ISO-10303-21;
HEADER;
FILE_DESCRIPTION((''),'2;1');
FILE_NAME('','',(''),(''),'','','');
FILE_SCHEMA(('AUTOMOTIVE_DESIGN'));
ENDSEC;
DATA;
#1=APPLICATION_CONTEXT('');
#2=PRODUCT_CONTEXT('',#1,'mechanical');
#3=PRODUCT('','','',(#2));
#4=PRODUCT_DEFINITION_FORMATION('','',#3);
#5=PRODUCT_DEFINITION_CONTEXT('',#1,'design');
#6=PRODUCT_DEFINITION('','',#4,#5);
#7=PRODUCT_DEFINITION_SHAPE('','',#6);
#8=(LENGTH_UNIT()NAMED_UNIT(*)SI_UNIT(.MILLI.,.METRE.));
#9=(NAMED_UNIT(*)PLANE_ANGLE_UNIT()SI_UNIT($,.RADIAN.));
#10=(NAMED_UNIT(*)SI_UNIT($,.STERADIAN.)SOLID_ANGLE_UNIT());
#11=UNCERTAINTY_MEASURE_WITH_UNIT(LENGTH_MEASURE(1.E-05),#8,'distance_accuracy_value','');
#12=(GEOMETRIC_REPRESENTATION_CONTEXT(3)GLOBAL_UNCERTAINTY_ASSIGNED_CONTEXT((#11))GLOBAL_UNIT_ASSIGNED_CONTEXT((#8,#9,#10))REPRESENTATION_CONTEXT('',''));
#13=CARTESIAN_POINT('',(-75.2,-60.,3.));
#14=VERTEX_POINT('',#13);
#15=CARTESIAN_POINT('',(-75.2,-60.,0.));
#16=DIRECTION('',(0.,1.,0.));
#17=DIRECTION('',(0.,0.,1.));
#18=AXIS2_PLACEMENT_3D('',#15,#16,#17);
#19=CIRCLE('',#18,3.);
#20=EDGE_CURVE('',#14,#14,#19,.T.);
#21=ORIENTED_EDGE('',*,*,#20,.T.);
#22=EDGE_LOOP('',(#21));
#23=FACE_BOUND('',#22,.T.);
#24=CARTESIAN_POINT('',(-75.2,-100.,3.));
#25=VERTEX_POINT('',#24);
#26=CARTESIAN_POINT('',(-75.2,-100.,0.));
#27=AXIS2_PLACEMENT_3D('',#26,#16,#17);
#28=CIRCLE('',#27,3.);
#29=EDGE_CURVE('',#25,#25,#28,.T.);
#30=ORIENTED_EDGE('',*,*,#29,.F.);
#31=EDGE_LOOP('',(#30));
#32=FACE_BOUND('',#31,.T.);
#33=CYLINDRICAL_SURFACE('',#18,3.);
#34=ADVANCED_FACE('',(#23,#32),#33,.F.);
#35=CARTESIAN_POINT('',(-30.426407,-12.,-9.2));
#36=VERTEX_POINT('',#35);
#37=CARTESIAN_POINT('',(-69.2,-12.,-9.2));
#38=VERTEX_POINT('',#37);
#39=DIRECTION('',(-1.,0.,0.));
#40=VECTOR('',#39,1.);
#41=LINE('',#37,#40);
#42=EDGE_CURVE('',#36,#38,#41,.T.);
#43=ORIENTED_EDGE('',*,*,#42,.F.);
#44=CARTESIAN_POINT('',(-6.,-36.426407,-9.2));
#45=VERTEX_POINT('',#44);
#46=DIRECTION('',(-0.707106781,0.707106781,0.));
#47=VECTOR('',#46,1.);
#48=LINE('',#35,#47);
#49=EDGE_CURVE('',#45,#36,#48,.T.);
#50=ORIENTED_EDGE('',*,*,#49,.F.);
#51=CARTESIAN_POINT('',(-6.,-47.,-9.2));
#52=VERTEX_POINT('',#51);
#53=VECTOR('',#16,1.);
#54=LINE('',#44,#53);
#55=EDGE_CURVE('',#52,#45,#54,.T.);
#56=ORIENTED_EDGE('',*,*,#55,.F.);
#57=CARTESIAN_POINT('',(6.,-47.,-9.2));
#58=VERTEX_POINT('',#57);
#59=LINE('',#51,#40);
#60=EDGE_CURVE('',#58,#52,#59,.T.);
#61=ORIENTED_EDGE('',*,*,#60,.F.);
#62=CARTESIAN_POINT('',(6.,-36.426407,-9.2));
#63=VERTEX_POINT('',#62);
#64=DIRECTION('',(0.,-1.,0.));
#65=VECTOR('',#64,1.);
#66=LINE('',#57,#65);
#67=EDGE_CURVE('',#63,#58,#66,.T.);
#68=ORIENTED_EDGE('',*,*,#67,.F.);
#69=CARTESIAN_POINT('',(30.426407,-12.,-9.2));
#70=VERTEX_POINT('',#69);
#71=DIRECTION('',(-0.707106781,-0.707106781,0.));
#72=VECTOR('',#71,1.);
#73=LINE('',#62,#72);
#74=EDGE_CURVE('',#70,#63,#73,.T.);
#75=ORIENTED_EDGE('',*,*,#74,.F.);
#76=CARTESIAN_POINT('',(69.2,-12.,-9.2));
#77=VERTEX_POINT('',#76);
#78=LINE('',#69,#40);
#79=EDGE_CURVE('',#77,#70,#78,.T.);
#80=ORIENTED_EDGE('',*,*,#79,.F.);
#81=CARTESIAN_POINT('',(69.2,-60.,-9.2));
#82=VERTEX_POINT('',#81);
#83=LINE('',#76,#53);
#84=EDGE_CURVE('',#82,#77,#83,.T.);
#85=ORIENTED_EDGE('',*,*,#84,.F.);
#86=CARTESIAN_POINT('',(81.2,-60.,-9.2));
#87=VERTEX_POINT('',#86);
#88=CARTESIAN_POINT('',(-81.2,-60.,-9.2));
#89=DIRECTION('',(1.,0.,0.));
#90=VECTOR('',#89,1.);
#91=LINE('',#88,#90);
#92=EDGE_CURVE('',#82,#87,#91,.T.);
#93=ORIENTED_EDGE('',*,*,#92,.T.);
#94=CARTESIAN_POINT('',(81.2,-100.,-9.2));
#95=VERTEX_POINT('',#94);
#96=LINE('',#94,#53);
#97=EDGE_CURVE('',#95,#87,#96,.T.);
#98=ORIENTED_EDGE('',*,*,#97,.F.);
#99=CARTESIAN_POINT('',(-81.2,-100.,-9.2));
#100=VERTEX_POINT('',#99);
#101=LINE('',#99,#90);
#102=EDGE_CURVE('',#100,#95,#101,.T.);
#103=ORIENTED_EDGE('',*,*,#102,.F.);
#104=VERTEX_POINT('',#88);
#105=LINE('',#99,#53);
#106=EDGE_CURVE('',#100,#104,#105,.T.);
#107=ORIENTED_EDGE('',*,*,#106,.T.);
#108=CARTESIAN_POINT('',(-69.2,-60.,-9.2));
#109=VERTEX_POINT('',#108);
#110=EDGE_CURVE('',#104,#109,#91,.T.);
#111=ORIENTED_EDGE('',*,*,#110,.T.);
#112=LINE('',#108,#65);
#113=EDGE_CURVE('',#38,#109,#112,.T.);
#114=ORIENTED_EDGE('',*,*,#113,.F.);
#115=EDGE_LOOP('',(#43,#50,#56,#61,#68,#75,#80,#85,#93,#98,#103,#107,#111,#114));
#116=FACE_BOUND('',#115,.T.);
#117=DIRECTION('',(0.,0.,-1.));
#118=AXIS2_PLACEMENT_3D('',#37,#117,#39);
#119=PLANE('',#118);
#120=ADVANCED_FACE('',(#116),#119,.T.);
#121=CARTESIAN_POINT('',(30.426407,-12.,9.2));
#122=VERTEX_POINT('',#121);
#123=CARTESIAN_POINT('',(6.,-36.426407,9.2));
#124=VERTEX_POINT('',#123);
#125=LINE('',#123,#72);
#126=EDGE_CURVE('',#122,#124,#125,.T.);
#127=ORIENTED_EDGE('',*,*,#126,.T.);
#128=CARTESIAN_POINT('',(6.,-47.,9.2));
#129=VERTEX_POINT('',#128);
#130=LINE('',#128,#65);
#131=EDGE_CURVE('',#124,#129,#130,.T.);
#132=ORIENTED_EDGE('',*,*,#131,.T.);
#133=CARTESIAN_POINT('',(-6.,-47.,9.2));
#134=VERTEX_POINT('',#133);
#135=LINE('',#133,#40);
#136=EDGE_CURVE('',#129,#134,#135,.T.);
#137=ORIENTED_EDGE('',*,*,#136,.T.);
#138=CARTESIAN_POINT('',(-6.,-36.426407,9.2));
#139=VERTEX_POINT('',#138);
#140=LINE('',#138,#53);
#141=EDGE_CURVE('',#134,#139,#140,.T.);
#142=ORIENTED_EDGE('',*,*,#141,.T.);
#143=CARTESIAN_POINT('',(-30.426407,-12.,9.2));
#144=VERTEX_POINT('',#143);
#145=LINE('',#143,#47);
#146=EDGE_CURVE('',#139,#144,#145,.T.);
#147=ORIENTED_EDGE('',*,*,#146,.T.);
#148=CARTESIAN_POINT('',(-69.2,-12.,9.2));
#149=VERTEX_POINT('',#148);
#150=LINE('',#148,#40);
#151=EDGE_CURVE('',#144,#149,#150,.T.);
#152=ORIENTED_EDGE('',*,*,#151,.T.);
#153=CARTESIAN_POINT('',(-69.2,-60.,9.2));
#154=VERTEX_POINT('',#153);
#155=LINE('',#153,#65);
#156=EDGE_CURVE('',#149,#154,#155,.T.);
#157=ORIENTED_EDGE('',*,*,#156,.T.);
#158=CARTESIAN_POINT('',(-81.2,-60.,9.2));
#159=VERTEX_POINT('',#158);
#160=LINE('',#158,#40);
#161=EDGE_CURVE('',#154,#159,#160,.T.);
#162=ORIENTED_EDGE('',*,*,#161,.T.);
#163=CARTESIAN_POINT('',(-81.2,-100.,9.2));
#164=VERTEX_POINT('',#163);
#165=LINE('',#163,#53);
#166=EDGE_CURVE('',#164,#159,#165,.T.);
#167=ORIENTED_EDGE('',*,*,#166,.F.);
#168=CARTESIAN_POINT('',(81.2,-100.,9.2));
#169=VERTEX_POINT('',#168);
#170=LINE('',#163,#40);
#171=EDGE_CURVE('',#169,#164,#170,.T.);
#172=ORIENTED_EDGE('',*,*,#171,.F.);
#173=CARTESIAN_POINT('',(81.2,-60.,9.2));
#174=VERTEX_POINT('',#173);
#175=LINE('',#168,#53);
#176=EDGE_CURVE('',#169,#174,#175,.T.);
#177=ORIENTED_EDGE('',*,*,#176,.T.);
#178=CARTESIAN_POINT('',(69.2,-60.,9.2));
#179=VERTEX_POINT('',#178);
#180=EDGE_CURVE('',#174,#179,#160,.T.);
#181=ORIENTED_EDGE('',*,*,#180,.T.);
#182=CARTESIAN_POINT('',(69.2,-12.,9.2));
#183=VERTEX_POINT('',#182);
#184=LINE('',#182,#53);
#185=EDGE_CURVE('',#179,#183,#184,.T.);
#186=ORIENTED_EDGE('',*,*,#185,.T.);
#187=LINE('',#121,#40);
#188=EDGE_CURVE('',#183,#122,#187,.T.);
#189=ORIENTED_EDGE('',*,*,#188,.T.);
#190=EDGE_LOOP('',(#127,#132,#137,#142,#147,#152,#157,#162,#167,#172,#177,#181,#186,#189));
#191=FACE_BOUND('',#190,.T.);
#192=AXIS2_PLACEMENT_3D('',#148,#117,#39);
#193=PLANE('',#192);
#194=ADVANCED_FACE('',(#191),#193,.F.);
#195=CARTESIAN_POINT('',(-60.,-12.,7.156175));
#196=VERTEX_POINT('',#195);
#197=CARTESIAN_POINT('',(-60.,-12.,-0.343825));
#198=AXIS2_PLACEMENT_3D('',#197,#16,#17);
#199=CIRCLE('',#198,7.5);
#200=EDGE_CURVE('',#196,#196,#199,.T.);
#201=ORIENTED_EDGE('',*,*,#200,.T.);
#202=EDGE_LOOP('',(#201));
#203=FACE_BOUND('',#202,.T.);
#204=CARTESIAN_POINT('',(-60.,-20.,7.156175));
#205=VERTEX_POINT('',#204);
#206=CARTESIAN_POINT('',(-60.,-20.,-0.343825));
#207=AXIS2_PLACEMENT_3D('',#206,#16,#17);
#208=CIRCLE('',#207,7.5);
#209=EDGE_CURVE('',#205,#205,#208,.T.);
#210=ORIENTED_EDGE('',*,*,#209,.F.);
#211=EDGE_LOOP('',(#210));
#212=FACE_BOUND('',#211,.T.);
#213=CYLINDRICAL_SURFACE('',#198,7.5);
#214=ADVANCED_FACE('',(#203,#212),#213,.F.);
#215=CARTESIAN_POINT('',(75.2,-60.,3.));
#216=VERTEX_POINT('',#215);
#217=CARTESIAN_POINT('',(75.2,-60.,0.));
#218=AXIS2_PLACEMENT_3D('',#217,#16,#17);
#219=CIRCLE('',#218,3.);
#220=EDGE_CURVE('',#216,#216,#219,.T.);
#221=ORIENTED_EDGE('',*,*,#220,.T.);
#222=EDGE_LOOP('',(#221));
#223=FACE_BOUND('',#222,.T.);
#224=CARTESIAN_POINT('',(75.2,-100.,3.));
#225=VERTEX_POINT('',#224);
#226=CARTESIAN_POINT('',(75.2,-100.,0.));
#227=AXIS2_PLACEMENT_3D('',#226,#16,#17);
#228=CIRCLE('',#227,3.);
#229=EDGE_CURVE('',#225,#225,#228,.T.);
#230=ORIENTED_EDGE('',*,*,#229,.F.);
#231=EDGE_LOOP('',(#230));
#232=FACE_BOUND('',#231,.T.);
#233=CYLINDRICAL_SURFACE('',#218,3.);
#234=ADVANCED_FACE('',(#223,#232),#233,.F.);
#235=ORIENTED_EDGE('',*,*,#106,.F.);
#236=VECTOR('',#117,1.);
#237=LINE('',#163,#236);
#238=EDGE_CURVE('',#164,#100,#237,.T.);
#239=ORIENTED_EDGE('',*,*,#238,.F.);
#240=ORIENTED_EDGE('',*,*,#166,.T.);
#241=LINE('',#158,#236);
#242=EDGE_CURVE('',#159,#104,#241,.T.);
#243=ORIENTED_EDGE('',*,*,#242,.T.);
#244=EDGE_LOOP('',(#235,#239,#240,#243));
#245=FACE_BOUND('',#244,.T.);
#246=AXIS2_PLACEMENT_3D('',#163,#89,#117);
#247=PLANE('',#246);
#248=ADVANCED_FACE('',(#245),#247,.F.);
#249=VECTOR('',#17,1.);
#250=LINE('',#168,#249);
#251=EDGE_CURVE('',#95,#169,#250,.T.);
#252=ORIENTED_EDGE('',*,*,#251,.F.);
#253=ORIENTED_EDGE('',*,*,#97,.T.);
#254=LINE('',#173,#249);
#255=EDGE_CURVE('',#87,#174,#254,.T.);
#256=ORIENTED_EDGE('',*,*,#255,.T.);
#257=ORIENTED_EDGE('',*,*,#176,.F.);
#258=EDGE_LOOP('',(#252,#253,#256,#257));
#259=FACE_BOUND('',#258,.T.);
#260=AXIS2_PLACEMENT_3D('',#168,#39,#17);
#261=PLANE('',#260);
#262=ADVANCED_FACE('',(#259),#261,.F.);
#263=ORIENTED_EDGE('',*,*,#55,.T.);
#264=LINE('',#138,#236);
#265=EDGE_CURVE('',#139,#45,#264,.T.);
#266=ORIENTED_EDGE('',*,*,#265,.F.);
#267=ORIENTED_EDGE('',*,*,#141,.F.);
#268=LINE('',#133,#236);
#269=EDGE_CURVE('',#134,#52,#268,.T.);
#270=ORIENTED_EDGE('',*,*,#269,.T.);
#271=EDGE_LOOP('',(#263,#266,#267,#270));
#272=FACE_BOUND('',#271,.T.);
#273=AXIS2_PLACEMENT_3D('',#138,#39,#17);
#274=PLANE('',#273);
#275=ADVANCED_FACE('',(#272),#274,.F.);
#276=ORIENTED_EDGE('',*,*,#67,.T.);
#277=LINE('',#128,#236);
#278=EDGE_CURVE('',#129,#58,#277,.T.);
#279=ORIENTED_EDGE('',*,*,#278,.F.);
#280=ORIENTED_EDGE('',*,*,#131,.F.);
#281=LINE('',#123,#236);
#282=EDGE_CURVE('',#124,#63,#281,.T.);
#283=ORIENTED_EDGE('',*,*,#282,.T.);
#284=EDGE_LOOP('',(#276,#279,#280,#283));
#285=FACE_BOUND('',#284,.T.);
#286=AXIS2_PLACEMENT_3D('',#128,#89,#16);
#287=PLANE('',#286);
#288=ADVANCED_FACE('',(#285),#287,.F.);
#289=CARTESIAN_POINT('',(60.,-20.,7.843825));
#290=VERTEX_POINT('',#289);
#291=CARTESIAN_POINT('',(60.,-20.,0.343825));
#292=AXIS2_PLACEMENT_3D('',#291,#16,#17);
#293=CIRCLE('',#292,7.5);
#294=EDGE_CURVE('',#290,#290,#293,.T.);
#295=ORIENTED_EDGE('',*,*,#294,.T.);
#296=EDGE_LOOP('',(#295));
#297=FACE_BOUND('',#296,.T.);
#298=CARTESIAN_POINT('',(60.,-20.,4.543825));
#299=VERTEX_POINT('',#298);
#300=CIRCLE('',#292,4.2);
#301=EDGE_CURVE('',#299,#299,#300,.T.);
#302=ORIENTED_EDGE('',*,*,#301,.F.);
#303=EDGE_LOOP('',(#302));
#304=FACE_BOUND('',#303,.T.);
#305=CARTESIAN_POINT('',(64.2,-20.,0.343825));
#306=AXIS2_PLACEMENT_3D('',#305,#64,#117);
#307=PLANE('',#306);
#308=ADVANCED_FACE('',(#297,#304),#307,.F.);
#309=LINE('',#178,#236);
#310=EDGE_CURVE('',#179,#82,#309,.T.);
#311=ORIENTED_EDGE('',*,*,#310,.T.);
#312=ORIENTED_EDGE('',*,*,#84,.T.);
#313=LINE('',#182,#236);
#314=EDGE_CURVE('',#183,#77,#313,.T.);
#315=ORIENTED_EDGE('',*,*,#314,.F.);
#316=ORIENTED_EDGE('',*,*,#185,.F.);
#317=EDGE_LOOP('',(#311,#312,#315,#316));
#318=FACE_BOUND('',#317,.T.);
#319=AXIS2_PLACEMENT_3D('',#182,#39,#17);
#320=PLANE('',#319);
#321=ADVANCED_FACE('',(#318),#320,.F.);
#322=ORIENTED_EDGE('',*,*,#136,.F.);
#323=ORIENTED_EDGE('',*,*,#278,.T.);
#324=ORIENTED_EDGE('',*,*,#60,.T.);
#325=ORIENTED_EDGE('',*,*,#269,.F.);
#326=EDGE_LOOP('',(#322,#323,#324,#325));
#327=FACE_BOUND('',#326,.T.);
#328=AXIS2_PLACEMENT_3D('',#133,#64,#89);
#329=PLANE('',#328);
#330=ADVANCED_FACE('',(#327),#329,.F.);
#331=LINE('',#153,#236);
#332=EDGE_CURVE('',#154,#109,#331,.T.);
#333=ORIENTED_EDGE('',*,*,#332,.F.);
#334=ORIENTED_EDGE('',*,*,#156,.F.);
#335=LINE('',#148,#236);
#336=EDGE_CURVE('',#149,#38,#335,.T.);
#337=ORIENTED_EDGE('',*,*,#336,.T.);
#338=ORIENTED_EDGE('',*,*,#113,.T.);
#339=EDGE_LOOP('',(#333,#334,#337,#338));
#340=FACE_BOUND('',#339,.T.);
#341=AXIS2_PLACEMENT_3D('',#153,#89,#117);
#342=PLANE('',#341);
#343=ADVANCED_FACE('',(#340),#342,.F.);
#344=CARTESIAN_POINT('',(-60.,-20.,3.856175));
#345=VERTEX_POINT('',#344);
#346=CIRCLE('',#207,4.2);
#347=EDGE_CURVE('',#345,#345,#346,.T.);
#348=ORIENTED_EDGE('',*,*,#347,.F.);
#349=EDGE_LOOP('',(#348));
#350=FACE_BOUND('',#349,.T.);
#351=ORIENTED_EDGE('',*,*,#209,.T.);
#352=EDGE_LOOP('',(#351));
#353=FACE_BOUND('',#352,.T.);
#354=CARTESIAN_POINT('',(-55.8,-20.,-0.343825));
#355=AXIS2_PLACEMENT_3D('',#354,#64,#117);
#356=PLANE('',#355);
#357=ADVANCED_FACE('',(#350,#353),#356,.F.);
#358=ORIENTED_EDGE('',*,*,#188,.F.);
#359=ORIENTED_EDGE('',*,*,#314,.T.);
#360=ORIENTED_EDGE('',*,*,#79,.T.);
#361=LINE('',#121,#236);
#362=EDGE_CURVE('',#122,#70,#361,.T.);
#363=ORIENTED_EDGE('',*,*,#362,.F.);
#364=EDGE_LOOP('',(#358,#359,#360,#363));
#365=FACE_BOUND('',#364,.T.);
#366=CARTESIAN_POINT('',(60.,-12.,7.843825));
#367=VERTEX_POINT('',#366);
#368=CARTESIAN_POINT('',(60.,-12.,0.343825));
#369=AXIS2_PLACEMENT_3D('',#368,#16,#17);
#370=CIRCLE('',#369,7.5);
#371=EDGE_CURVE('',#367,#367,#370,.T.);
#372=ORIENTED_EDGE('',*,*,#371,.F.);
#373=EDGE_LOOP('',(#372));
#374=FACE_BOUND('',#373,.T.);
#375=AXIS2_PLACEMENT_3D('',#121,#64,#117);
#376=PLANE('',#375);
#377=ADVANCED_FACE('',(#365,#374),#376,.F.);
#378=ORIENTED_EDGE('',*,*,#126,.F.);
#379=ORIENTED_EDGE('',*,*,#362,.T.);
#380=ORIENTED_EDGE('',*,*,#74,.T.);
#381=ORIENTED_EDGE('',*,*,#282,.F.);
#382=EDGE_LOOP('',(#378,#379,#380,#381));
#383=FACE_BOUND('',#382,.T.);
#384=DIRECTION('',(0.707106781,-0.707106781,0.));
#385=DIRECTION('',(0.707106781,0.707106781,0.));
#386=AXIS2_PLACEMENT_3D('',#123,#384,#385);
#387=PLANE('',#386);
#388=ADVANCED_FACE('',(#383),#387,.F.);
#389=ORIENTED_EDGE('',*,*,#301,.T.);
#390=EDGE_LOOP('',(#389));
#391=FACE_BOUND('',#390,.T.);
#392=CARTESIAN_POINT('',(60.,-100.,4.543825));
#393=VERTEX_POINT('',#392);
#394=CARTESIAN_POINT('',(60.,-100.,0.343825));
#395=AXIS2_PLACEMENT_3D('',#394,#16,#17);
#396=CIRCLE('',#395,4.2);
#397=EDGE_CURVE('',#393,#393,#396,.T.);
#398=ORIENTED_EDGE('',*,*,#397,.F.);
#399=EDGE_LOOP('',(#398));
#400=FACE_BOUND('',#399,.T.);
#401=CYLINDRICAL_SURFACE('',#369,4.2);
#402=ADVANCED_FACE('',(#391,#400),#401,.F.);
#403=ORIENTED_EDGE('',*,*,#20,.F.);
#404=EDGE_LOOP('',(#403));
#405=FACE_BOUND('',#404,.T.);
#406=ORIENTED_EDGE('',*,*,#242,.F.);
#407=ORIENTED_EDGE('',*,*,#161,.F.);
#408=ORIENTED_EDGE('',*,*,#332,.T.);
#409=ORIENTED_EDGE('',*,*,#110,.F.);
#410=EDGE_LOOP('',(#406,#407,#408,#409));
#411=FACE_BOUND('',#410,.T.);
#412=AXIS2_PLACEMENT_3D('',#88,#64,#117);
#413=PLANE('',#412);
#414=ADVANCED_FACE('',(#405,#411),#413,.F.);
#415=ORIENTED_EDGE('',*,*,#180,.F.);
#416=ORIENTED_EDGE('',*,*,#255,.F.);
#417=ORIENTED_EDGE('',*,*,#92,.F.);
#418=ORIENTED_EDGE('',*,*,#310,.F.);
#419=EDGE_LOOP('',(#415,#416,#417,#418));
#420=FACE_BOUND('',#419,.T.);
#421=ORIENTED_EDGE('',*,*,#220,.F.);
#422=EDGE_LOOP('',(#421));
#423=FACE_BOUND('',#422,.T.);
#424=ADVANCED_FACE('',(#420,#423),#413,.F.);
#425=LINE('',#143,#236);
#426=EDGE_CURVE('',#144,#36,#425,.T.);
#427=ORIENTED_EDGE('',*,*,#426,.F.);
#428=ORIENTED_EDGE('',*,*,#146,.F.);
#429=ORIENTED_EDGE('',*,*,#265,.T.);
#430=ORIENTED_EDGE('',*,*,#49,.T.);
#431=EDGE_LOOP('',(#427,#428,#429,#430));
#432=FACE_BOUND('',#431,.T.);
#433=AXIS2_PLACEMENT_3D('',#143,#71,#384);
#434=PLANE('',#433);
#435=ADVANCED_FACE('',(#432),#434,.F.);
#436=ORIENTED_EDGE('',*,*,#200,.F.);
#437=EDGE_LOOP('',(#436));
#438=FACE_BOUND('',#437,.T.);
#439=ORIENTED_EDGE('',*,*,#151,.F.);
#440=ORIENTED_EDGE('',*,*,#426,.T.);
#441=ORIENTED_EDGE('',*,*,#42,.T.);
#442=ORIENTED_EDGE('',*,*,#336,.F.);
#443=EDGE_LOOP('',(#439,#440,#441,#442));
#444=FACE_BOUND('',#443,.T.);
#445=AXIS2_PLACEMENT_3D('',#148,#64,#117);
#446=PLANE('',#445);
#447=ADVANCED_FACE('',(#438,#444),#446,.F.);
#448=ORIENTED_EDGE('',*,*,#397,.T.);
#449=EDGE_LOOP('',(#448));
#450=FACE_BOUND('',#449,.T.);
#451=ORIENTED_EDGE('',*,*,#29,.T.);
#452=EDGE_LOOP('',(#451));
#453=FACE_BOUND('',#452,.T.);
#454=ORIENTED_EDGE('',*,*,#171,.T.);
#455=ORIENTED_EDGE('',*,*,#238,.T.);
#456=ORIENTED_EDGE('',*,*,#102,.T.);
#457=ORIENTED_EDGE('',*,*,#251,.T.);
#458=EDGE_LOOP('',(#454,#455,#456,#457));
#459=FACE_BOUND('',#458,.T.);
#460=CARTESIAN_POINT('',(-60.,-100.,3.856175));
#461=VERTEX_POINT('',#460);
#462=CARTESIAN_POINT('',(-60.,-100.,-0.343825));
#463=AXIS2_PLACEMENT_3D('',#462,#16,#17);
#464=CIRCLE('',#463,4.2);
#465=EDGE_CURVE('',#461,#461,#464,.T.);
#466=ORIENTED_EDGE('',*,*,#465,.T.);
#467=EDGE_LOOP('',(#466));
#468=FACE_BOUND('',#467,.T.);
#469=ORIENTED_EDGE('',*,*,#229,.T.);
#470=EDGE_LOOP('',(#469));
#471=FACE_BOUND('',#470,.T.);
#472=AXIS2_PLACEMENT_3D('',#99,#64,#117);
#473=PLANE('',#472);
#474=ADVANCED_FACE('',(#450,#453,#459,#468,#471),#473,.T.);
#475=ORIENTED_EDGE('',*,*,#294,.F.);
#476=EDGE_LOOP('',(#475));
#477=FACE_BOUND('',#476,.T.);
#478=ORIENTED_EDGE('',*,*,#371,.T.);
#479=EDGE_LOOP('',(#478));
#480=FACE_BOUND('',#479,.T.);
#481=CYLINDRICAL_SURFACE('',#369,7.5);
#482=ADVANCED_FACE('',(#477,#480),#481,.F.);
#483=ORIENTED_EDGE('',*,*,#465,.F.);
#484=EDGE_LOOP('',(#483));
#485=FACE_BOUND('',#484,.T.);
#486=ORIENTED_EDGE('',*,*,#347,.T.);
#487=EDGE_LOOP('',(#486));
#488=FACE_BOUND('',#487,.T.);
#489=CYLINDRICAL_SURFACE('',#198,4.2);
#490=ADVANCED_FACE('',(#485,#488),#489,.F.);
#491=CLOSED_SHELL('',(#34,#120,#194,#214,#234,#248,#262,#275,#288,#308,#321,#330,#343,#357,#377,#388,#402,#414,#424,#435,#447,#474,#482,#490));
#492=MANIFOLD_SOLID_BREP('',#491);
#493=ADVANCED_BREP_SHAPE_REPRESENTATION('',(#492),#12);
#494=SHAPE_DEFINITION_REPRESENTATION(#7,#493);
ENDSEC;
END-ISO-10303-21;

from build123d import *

# Parameters (mm, degrees)
EXTRUDE_1_DEPTH             = 9.2
SKETCH_2_W                  = 162.4
SKETCH_2_H                  = 18.4
EXTRUDE_2_DEPTH             = 40
HOLE_WIZARD_M82_D           = 8.4
HOLE_WIZARD_M82_CBORE_D     = 15
HOLE_WIZARD_M82_CBORE_DEPTH = 8
HOLE_WIZARD_6_0_6_2_D       = 6


with BuildPart() as part:
    # Эскиз1 → Бобышка-Вытянуть1 (new, symmetric)
    with BuildSketch(Plane.XY):
        Polygon((-69.2, -12), (-30.426406871, -12), (-6, -36.426406871), (-6, -47), (6, -47), (6, -36.426406871), (30.426406871, -12), (69.2, -12), (69.2, -60), (-69.2, -60), align=None)
    extrude(amount=EXTRUDE_1_DEPTH, both=True)

    # Эскиз2 → Бобышка-Вытянуть2 (add)
    with BuildSketch(Plane.XZ.offset(60)):
        Rectangle(SKETCH_2_W, SKETCH_2_H)
    extrude(amount=EXTRUDE_2_DEPTH)

    # Цековка для винта с внутренним шестигранником M82 (through all)
    with Locations(Plane(origin=(0, -12, 0), x_dir=(-1, 0, 0), z_dir=(0, 1, 0))):
        with Locations((-60, 0.343824936), (60, -0.343824936)):
            CounterBoreHole(HOLE_WIZARD_M82_D / 2, HOLE_WIZARD_M82_CBORE_D / 2, HOLE_WIZARD_M82_CBORE_DEPTH)

    # Диаметр отверстия Ø6.0 (6)2 (through all)
    with Locations(Plane(origin=(0, -60, 0), x_dir=(-1, 0, 0), z_dir=(0, 1, 0))):
        with Locations((-75.2, 0), (75.2, 0)):
            Hole(HOLE_WIZARD_6_0_6_2_D / 2)


solid = part.part
